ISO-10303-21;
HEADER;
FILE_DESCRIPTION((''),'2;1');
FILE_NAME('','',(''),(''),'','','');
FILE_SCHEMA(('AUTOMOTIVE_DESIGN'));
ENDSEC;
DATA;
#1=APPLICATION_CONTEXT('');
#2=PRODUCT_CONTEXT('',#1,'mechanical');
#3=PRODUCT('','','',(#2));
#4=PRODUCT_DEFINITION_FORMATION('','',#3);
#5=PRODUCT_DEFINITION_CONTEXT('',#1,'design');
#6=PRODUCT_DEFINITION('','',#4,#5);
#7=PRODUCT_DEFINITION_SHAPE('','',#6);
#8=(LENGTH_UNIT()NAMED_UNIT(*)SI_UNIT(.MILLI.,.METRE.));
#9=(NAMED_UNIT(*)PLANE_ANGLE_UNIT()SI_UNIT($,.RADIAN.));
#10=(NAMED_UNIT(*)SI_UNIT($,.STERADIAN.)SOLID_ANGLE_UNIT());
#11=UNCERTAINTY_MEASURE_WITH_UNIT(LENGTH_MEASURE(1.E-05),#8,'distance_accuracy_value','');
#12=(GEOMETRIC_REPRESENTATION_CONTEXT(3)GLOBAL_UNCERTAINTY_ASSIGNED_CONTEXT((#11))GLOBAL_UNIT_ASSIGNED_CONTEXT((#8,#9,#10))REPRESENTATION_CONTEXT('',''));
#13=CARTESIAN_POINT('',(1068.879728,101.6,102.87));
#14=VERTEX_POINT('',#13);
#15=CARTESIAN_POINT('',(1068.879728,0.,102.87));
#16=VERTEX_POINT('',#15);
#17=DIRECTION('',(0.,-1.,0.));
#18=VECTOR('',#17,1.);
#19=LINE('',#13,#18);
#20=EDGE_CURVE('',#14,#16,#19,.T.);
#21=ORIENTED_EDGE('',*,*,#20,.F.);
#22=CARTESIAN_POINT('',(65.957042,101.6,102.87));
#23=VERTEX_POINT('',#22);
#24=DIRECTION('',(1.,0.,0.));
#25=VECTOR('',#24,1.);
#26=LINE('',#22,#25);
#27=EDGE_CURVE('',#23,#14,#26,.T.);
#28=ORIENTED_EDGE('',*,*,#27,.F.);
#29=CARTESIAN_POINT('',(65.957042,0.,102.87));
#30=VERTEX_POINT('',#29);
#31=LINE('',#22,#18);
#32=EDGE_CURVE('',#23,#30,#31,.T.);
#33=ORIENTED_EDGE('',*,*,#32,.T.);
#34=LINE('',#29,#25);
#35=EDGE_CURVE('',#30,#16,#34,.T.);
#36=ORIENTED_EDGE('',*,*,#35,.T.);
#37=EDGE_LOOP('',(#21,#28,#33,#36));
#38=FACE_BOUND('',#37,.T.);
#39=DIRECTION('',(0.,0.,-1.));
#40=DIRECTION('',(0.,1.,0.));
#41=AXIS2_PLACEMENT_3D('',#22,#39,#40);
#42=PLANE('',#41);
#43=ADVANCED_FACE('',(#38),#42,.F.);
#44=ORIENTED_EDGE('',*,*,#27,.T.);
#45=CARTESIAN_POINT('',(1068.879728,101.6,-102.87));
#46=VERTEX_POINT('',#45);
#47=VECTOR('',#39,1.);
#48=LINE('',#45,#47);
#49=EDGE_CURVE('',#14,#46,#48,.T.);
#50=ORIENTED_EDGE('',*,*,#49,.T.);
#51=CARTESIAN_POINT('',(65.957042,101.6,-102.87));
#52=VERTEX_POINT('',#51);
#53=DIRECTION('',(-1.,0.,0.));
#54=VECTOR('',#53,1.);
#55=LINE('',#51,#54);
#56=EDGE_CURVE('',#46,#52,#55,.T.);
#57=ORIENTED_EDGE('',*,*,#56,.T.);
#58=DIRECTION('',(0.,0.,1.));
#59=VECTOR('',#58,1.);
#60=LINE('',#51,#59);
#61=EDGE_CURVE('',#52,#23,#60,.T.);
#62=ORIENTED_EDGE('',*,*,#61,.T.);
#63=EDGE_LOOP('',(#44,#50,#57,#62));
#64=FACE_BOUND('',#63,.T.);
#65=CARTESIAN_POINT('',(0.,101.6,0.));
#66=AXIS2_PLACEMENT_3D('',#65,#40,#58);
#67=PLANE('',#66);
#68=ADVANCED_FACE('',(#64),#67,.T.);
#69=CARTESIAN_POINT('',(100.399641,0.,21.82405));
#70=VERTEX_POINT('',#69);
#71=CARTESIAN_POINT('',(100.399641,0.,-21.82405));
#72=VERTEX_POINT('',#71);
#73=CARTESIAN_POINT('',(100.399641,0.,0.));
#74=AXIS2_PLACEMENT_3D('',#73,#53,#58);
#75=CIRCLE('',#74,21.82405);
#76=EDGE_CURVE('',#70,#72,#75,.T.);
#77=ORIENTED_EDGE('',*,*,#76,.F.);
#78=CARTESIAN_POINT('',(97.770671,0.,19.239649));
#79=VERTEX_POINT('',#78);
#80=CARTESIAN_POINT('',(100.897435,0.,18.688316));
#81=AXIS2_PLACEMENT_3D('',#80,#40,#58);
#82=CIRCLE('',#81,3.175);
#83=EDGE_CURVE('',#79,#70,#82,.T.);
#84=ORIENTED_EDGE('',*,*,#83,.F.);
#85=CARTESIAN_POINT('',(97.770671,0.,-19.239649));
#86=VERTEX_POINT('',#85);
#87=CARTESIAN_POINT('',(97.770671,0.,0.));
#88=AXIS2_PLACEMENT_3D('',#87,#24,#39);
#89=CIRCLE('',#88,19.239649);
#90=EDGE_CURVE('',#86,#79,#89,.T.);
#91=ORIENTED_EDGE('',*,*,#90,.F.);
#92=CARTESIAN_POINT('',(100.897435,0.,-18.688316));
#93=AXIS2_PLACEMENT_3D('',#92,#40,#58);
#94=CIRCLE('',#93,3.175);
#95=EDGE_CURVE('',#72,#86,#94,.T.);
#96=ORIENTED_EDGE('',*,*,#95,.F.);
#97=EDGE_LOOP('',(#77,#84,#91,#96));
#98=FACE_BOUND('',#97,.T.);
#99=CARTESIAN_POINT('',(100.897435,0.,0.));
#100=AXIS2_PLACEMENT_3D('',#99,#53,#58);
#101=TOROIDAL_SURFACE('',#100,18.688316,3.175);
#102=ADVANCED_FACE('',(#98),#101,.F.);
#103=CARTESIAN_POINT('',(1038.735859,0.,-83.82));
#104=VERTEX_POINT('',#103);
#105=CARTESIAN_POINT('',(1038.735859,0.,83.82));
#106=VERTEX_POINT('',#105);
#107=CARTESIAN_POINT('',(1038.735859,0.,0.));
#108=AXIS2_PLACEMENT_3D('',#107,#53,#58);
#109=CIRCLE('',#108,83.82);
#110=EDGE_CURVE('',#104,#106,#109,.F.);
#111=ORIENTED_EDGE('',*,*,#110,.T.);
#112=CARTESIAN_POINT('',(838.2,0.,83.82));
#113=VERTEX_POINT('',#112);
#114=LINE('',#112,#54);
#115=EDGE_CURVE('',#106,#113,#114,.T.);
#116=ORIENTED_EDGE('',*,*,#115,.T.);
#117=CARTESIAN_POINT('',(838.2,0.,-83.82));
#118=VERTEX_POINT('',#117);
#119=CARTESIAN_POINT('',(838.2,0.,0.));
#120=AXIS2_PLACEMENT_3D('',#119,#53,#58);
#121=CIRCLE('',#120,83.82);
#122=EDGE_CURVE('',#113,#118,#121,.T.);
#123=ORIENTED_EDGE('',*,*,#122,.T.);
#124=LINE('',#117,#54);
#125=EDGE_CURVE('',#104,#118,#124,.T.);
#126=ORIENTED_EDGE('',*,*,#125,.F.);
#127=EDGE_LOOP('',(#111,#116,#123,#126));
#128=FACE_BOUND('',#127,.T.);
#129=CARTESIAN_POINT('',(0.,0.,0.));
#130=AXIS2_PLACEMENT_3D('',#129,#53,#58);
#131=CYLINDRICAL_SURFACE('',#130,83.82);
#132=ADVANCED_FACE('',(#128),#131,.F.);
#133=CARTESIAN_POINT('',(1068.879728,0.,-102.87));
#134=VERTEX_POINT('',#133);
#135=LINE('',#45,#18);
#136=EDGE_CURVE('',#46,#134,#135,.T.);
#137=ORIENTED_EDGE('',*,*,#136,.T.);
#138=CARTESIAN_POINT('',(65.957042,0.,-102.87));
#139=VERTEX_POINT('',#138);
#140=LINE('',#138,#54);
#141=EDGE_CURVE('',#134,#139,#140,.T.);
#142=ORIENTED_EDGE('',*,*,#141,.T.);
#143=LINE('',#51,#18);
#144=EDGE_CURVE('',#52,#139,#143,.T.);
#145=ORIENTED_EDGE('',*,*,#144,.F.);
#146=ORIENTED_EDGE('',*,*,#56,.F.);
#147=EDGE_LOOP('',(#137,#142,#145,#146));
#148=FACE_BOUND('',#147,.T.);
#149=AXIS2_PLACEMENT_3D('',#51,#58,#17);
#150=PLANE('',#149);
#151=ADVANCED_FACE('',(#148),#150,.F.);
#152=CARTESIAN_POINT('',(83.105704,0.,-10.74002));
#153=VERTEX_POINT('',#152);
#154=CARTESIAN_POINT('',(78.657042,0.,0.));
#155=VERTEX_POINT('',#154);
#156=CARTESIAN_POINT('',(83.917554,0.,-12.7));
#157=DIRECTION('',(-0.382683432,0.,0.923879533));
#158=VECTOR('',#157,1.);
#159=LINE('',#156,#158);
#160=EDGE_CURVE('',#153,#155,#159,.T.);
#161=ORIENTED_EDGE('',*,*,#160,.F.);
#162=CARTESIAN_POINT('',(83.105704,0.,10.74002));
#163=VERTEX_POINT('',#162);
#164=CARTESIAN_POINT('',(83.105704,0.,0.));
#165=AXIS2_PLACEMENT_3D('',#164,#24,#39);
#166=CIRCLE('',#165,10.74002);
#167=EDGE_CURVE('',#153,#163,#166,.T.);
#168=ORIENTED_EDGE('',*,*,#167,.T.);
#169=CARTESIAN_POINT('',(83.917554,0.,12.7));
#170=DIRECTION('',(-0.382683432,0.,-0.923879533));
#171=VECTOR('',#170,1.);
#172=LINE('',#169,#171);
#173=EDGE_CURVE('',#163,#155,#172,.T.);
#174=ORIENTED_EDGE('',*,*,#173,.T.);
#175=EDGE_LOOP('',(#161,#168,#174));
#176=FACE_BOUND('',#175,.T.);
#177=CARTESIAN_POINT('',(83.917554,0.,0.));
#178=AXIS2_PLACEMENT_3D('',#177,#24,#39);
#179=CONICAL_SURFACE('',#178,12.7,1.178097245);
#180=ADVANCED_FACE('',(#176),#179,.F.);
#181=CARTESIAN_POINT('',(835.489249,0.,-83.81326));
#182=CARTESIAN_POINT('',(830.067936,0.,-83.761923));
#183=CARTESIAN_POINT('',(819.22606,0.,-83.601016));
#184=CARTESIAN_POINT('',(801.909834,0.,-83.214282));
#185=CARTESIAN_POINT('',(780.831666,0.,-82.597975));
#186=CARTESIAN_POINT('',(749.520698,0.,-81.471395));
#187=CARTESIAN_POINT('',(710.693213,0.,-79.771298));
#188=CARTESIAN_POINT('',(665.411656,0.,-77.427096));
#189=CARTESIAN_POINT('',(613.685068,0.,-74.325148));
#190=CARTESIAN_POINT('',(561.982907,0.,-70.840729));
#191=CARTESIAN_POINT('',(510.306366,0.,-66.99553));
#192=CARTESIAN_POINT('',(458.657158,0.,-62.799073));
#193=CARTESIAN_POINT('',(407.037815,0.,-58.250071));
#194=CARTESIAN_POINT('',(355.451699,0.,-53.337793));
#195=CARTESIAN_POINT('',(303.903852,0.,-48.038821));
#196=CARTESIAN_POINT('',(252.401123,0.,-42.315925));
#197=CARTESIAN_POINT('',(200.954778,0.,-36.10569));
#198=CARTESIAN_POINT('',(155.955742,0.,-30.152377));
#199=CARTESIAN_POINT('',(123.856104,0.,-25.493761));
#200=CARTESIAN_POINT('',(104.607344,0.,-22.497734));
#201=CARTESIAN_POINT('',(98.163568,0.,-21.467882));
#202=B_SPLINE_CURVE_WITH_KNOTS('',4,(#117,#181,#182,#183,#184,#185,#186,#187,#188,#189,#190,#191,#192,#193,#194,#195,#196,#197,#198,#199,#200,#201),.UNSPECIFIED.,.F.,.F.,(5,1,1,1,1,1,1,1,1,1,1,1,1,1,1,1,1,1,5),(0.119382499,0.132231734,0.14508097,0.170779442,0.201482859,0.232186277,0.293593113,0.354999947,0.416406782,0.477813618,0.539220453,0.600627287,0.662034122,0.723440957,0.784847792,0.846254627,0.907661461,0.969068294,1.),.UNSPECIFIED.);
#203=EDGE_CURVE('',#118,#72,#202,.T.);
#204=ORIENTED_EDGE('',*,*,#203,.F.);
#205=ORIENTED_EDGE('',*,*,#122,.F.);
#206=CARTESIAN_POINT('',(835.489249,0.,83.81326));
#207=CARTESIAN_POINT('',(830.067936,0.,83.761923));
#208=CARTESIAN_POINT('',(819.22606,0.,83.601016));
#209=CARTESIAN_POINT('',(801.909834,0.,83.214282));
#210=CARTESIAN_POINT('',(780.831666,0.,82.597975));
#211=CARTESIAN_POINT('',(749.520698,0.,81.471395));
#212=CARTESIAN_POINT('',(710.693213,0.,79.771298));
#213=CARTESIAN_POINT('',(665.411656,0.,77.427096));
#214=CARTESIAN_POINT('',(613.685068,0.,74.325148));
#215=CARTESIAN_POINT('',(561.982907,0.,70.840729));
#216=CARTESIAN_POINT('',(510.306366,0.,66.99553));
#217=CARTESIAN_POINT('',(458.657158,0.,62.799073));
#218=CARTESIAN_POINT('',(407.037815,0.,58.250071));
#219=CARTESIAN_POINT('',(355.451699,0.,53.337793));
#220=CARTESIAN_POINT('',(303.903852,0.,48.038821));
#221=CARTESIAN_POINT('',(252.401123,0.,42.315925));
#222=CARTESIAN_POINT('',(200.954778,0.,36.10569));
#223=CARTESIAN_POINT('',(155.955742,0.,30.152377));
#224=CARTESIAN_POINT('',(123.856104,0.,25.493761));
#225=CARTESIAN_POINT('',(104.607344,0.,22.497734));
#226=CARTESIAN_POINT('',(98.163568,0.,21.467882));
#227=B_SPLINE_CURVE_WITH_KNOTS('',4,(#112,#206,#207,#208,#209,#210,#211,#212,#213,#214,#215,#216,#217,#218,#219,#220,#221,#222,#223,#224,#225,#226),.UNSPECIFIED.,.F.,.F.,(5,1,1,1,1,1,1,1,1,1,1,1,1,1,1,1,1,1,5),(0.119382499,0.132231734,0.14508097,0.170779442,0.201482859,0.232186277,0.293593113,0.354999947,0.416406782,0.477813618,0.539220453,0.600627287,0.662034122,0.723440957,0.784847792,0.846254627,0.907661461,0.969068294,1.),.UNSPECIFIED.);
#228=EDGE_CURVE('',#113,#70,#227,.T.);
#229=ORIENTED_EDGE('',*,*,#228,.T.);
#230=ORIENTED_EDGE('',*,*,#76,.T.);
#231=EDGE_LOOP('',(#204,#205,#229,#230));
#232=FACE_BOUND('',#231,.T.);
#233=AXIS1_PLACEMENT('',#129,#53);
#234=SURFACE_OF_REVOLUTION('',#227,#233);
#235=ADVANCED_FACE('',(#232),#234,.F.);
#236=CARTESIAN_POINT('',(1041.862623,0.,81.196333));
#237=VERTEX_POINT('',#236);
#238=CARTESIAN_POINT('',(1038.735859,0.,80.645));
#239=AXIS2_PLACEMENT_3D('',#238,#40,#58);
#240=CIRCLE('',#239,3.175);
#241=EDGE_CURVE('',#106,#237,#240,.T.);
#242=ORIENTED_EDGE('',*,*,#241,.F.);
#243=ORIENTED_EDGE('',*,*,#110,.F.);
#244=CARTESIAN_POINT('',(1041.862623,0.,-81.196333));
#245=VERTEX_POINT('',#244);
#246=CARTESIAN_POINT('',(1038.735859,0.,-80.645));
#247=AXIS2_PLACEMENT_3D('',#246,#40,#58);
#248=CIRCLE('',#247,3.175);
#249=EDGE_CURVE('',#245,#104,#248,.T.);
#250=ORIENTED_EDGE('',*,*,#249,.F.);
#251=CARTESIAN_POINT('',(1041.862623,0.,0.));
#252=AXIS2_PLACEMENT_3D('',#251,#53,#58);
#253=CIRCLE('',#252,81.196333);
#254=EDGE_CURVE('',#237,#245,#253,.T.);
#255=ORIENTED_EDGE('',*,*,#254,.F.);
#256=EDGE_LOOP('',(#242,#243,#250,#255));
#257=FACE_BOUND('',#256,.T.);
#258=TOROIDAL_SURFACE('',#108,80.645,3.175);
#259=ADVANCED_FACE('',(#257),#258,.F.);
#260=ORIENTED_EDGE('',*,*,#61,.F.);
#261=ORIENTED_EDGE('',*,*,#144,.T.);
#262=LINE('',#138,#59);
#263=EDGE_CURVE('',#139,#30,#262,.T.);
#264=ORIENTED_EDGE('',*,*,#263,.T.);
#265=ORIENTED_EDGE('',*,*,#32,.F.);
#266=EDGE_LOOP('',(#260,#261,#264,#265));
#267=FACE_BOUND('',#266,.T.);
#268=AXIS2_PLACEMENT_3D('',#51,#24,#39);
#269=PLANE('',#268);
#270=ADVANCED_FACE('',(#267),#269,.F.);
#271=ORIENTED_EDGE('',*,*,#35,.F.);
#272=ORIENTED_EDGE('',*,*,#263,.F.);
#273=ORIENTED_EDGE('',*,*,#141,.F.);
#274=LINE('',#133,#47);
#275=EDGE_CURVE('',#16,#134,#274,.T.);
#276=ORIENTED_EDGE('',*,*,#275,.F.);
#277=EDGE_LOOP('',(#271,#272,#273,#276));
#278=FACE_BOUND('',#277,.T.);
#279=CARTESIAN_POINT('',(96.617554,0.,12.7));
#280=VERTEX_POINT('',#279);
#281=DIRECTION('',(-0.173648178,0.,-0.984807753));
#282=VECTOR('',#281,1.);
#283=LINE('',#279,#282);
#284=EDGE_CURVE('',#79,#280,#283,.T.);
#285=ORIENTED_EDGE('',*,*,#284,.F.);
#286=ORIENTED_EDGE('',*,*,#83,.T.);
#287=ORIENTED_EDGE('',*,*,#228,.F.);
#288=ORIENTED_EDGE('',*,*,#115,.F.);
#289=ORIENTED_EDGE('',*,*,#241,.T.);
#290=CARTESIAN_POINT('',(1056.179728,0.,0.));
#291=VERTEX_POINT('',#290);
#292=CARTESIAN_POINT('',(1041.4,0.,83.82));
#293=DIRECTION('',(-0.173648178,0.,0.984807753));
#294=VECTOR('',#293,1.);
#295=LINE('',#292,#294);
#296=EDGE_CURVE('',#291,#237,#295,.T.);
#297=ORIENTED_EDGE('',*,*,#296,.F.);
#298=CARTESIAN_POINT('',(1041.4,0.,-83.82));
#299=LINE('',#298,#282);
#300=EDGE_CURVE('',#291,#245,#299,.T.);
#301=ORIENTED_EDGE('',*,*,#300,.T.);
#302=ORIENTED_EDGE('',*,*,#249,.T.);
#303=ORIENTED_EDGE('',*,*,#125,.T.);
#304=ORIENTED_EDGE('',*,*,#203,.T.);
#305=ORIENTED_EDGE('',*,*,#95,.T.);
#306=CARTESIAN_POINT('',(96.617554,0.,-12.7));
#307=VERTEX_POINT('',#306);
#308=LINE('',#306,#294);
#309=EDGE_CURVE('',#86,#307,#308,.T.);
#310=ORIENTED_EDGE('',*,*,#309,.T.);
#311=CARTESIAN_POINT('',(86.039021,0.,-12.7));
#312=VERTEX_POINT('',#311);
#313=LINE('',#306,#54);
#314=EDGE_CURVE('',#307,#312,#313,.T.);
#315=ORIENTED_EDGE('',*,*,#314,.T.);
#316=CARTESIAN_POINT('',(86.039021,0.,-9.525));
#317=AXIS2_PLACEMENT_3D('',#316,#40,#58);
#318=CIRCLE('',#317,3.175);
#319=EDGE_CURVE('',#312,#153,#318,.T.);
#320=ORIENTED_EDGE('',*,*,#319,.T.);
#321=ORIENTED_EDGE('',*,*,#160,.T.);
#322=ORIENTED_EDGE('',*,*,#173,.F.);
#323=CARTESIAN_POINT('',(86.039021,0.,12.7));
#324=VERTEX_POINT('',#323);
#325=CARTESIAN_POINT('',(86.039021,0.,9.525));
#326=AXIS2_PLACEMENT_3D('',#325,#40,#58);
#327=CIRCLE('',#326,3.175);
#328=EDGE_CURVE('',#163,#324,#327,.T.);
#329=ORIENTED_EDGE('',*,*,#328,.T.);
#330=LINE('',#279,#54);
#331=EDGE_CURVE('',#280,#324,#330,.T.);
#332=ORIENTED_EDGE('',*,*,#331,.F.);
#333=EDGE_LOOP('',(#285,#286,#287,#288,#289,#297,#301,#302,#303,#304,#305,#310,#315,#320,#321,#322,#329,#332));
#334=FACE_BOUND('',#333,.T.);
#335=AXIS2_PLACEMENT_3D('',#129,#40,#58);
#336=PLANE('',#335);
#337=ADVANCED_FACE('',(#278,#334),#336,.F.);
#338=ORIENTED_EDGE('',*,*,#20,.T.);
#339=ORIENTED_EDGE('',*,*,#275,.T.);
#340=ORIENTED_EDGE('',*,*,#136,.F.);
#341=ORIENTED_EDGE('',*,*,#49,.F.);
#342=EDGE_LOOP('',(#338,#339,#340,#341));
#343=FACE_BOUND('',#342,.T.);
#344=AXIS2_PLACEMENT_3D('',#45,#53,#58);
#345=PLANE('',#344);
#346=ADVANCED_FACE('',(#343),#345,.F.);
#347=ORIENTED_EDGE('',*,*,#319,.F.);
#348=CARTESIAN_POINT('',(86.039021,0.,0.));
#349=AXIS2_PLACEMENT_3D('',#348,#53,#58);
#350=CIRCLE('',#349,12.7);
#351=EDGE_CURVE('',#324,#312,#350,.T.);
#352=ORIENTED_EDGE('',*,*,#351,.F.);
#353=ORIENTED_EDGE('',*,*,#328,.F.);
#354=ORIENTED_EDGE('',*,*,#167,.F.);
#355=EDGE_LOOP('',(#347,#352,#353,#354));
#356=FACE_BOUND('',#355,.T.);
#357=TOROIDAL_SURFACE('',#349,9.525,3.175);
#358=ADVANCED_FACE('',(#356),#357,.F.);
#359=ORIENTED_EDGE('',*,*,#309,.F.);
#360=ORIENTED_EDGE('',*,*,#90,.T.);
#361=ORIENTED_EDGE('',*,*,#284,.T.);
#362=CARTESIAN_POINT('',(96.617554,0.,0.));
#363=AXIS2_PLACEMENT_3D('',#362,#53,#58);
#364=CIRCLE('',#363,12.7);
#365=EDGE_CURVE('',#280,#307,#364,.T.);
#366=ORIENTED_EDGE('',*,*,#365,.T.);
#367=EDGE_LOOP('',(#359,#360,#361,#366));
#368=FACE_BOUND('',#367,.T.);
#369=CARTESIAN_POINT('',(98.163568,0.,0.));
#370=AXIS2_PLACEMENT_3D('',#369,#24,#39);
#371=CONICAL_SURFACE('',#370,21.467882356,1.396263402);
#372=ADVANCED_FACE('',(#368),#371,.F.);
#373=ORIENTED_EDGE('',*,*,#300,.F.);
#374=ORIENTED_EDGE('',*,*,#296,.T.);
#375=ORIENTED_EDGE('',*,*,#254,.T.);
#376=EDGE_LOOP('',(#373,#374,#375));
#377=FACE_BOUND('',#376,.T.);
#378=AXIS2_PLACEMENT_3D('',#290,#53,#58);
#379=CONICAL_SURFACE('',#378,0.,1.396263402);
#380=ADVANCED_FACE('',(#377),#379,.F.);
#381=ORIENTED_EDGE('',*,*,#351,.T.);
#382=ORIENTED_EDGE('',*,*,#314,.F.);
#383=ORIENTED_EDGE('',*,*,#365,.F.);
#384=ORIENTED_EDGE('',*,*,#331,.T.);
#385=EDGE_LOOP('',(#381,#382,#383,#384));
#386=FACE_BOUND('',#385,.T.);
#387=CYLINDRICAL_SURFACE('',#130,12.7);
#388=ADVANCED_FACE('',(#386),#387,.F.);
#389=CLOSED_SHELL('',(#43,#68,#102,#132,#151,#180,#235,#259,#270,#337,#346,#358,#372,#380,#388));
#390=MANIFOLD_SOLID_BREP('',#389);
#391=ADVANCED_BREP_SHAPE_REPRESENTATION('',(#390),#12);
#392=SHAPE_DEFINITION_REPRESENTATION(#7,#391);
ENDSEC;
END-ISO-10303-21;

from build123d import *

# Parameters (mm, degrees)
REVOLVE1_ANGLE      = 180
SKETCH5_W           = 1002.922685695
SKETCH5_H           = 205.74
BOSS_EXTRUDE1_DEPTH = 38.1
SKETCH9_W           = 1002.922685695
SKETCH9_H           = 205.74
BOSS_EXTRUDE5_DEPTH = 101.6
FILLET1_R           = 3.175


with BuildPart() as part:
    # Sketch4 → Revolve1 (revolve)
    with BuildSketch(Plane(origin=(0, 0, 0), x_dir=(1, 0, 0), z_dir=(0, 1, 0))):
        with BuildLine():
            Line((838.2, 83.82), (1041.4, 83.82))
            Line((1041.4, 83.82), (1056.179727523, 0))
            Line((1056.179727523, 0), (78.657041828, 0))
            Line((78.657041828, 0), (83.91755407, 12.7))
            Line((83.91755407, 12.7), (96.61755407, 12.7))
            Line((96.61755407, 12.7), (98.163568293, 21.467882356))
            add(Edge.make_bspline(
                [(98.163568293, 21.467882356), (104.607343896, 22.497734344), (123.856103977, 25.493761031), (155.955742042, 30.152377402), (200.954778344, 36.105690484), (252.401123307, 42.315924819), (303.903852309, 48.038821007), (355.451699359, 53.337793152), (407.03781513, 58.250071041), (458.657158448, 62.799072617), (510.306365901, 66.995530477), (561.982906562, 70.840728542), (613.685068308, 74.325147511), (665.411655565, 77.427095788), (710.693213075, 79.771298327), (749.520698447, 81.471395458), (780.831665683, 82.597974895), (801.90983421, 83.214282129), (819.226060023, 83.601016067), (830.067936093, 83.761922773), (835.489248784, 83.813260117), (838.2, 83.82)],
                knots=[0.119382499, 0.119382499, 0.119382499, 0.119382499, 0.119382499, 0.150314205, 0.211721038, 0.273127872, 0.334534706, 0.395941541, 0.457348376, 0.518755211, 0.580162046, 0.641568881, 0.702975716, 0.764382551, 0.825789386, 0.887196222, 0.917899639, 0.948603057, 0.974301528, 0.987150764, 1, 1, 1, 1, 1], degree=4))
        make_face()
    revolve(axis=Axis((0, 0, 0), (1, 0, 0)), revolution_arc=REVOLVE1_ANGLE)

    # Sketch5 → Boss-Extrude1 (add)
    with BuildSketch(Plane.XZ):
        with Locations((567.418384676, 0)):
            Rectangle(SKETCH5_W, SKETCH5_H)
    extrude(amount=BOSS_EXTRUDE1_DEPTH)


with BuildPart() as body_2:
    # Sketch9 → Boss-Extrude5 (new body)
    with BuildSketch(Plane(origin=(0, 0, 0), x_dir=(1, 0, 0), z_dir=(0, 1, 0))):
        with Locations((567.418384676, 0)):
            Rectangle(SKETCH9_W, SKETCH9_H)
    extrude(amount=BOSS_EXTRUDE5_DEPTH)

    # Combine1: cut part
    add(part.part, mode=Mode.SUBTRACT)

    # Fillet1
    fillet1_edges = [body_2.edges().sort_by_distance(p)[0] for p in [
        (1041.4, 83.82, 0),
        (98.163568293, 21.467882356, 0),
        (83.91755407, 12.7, 0),
    ]]
    fillet(fillet1_edges, radius=FILLET1_R)


solid = body_2.part
